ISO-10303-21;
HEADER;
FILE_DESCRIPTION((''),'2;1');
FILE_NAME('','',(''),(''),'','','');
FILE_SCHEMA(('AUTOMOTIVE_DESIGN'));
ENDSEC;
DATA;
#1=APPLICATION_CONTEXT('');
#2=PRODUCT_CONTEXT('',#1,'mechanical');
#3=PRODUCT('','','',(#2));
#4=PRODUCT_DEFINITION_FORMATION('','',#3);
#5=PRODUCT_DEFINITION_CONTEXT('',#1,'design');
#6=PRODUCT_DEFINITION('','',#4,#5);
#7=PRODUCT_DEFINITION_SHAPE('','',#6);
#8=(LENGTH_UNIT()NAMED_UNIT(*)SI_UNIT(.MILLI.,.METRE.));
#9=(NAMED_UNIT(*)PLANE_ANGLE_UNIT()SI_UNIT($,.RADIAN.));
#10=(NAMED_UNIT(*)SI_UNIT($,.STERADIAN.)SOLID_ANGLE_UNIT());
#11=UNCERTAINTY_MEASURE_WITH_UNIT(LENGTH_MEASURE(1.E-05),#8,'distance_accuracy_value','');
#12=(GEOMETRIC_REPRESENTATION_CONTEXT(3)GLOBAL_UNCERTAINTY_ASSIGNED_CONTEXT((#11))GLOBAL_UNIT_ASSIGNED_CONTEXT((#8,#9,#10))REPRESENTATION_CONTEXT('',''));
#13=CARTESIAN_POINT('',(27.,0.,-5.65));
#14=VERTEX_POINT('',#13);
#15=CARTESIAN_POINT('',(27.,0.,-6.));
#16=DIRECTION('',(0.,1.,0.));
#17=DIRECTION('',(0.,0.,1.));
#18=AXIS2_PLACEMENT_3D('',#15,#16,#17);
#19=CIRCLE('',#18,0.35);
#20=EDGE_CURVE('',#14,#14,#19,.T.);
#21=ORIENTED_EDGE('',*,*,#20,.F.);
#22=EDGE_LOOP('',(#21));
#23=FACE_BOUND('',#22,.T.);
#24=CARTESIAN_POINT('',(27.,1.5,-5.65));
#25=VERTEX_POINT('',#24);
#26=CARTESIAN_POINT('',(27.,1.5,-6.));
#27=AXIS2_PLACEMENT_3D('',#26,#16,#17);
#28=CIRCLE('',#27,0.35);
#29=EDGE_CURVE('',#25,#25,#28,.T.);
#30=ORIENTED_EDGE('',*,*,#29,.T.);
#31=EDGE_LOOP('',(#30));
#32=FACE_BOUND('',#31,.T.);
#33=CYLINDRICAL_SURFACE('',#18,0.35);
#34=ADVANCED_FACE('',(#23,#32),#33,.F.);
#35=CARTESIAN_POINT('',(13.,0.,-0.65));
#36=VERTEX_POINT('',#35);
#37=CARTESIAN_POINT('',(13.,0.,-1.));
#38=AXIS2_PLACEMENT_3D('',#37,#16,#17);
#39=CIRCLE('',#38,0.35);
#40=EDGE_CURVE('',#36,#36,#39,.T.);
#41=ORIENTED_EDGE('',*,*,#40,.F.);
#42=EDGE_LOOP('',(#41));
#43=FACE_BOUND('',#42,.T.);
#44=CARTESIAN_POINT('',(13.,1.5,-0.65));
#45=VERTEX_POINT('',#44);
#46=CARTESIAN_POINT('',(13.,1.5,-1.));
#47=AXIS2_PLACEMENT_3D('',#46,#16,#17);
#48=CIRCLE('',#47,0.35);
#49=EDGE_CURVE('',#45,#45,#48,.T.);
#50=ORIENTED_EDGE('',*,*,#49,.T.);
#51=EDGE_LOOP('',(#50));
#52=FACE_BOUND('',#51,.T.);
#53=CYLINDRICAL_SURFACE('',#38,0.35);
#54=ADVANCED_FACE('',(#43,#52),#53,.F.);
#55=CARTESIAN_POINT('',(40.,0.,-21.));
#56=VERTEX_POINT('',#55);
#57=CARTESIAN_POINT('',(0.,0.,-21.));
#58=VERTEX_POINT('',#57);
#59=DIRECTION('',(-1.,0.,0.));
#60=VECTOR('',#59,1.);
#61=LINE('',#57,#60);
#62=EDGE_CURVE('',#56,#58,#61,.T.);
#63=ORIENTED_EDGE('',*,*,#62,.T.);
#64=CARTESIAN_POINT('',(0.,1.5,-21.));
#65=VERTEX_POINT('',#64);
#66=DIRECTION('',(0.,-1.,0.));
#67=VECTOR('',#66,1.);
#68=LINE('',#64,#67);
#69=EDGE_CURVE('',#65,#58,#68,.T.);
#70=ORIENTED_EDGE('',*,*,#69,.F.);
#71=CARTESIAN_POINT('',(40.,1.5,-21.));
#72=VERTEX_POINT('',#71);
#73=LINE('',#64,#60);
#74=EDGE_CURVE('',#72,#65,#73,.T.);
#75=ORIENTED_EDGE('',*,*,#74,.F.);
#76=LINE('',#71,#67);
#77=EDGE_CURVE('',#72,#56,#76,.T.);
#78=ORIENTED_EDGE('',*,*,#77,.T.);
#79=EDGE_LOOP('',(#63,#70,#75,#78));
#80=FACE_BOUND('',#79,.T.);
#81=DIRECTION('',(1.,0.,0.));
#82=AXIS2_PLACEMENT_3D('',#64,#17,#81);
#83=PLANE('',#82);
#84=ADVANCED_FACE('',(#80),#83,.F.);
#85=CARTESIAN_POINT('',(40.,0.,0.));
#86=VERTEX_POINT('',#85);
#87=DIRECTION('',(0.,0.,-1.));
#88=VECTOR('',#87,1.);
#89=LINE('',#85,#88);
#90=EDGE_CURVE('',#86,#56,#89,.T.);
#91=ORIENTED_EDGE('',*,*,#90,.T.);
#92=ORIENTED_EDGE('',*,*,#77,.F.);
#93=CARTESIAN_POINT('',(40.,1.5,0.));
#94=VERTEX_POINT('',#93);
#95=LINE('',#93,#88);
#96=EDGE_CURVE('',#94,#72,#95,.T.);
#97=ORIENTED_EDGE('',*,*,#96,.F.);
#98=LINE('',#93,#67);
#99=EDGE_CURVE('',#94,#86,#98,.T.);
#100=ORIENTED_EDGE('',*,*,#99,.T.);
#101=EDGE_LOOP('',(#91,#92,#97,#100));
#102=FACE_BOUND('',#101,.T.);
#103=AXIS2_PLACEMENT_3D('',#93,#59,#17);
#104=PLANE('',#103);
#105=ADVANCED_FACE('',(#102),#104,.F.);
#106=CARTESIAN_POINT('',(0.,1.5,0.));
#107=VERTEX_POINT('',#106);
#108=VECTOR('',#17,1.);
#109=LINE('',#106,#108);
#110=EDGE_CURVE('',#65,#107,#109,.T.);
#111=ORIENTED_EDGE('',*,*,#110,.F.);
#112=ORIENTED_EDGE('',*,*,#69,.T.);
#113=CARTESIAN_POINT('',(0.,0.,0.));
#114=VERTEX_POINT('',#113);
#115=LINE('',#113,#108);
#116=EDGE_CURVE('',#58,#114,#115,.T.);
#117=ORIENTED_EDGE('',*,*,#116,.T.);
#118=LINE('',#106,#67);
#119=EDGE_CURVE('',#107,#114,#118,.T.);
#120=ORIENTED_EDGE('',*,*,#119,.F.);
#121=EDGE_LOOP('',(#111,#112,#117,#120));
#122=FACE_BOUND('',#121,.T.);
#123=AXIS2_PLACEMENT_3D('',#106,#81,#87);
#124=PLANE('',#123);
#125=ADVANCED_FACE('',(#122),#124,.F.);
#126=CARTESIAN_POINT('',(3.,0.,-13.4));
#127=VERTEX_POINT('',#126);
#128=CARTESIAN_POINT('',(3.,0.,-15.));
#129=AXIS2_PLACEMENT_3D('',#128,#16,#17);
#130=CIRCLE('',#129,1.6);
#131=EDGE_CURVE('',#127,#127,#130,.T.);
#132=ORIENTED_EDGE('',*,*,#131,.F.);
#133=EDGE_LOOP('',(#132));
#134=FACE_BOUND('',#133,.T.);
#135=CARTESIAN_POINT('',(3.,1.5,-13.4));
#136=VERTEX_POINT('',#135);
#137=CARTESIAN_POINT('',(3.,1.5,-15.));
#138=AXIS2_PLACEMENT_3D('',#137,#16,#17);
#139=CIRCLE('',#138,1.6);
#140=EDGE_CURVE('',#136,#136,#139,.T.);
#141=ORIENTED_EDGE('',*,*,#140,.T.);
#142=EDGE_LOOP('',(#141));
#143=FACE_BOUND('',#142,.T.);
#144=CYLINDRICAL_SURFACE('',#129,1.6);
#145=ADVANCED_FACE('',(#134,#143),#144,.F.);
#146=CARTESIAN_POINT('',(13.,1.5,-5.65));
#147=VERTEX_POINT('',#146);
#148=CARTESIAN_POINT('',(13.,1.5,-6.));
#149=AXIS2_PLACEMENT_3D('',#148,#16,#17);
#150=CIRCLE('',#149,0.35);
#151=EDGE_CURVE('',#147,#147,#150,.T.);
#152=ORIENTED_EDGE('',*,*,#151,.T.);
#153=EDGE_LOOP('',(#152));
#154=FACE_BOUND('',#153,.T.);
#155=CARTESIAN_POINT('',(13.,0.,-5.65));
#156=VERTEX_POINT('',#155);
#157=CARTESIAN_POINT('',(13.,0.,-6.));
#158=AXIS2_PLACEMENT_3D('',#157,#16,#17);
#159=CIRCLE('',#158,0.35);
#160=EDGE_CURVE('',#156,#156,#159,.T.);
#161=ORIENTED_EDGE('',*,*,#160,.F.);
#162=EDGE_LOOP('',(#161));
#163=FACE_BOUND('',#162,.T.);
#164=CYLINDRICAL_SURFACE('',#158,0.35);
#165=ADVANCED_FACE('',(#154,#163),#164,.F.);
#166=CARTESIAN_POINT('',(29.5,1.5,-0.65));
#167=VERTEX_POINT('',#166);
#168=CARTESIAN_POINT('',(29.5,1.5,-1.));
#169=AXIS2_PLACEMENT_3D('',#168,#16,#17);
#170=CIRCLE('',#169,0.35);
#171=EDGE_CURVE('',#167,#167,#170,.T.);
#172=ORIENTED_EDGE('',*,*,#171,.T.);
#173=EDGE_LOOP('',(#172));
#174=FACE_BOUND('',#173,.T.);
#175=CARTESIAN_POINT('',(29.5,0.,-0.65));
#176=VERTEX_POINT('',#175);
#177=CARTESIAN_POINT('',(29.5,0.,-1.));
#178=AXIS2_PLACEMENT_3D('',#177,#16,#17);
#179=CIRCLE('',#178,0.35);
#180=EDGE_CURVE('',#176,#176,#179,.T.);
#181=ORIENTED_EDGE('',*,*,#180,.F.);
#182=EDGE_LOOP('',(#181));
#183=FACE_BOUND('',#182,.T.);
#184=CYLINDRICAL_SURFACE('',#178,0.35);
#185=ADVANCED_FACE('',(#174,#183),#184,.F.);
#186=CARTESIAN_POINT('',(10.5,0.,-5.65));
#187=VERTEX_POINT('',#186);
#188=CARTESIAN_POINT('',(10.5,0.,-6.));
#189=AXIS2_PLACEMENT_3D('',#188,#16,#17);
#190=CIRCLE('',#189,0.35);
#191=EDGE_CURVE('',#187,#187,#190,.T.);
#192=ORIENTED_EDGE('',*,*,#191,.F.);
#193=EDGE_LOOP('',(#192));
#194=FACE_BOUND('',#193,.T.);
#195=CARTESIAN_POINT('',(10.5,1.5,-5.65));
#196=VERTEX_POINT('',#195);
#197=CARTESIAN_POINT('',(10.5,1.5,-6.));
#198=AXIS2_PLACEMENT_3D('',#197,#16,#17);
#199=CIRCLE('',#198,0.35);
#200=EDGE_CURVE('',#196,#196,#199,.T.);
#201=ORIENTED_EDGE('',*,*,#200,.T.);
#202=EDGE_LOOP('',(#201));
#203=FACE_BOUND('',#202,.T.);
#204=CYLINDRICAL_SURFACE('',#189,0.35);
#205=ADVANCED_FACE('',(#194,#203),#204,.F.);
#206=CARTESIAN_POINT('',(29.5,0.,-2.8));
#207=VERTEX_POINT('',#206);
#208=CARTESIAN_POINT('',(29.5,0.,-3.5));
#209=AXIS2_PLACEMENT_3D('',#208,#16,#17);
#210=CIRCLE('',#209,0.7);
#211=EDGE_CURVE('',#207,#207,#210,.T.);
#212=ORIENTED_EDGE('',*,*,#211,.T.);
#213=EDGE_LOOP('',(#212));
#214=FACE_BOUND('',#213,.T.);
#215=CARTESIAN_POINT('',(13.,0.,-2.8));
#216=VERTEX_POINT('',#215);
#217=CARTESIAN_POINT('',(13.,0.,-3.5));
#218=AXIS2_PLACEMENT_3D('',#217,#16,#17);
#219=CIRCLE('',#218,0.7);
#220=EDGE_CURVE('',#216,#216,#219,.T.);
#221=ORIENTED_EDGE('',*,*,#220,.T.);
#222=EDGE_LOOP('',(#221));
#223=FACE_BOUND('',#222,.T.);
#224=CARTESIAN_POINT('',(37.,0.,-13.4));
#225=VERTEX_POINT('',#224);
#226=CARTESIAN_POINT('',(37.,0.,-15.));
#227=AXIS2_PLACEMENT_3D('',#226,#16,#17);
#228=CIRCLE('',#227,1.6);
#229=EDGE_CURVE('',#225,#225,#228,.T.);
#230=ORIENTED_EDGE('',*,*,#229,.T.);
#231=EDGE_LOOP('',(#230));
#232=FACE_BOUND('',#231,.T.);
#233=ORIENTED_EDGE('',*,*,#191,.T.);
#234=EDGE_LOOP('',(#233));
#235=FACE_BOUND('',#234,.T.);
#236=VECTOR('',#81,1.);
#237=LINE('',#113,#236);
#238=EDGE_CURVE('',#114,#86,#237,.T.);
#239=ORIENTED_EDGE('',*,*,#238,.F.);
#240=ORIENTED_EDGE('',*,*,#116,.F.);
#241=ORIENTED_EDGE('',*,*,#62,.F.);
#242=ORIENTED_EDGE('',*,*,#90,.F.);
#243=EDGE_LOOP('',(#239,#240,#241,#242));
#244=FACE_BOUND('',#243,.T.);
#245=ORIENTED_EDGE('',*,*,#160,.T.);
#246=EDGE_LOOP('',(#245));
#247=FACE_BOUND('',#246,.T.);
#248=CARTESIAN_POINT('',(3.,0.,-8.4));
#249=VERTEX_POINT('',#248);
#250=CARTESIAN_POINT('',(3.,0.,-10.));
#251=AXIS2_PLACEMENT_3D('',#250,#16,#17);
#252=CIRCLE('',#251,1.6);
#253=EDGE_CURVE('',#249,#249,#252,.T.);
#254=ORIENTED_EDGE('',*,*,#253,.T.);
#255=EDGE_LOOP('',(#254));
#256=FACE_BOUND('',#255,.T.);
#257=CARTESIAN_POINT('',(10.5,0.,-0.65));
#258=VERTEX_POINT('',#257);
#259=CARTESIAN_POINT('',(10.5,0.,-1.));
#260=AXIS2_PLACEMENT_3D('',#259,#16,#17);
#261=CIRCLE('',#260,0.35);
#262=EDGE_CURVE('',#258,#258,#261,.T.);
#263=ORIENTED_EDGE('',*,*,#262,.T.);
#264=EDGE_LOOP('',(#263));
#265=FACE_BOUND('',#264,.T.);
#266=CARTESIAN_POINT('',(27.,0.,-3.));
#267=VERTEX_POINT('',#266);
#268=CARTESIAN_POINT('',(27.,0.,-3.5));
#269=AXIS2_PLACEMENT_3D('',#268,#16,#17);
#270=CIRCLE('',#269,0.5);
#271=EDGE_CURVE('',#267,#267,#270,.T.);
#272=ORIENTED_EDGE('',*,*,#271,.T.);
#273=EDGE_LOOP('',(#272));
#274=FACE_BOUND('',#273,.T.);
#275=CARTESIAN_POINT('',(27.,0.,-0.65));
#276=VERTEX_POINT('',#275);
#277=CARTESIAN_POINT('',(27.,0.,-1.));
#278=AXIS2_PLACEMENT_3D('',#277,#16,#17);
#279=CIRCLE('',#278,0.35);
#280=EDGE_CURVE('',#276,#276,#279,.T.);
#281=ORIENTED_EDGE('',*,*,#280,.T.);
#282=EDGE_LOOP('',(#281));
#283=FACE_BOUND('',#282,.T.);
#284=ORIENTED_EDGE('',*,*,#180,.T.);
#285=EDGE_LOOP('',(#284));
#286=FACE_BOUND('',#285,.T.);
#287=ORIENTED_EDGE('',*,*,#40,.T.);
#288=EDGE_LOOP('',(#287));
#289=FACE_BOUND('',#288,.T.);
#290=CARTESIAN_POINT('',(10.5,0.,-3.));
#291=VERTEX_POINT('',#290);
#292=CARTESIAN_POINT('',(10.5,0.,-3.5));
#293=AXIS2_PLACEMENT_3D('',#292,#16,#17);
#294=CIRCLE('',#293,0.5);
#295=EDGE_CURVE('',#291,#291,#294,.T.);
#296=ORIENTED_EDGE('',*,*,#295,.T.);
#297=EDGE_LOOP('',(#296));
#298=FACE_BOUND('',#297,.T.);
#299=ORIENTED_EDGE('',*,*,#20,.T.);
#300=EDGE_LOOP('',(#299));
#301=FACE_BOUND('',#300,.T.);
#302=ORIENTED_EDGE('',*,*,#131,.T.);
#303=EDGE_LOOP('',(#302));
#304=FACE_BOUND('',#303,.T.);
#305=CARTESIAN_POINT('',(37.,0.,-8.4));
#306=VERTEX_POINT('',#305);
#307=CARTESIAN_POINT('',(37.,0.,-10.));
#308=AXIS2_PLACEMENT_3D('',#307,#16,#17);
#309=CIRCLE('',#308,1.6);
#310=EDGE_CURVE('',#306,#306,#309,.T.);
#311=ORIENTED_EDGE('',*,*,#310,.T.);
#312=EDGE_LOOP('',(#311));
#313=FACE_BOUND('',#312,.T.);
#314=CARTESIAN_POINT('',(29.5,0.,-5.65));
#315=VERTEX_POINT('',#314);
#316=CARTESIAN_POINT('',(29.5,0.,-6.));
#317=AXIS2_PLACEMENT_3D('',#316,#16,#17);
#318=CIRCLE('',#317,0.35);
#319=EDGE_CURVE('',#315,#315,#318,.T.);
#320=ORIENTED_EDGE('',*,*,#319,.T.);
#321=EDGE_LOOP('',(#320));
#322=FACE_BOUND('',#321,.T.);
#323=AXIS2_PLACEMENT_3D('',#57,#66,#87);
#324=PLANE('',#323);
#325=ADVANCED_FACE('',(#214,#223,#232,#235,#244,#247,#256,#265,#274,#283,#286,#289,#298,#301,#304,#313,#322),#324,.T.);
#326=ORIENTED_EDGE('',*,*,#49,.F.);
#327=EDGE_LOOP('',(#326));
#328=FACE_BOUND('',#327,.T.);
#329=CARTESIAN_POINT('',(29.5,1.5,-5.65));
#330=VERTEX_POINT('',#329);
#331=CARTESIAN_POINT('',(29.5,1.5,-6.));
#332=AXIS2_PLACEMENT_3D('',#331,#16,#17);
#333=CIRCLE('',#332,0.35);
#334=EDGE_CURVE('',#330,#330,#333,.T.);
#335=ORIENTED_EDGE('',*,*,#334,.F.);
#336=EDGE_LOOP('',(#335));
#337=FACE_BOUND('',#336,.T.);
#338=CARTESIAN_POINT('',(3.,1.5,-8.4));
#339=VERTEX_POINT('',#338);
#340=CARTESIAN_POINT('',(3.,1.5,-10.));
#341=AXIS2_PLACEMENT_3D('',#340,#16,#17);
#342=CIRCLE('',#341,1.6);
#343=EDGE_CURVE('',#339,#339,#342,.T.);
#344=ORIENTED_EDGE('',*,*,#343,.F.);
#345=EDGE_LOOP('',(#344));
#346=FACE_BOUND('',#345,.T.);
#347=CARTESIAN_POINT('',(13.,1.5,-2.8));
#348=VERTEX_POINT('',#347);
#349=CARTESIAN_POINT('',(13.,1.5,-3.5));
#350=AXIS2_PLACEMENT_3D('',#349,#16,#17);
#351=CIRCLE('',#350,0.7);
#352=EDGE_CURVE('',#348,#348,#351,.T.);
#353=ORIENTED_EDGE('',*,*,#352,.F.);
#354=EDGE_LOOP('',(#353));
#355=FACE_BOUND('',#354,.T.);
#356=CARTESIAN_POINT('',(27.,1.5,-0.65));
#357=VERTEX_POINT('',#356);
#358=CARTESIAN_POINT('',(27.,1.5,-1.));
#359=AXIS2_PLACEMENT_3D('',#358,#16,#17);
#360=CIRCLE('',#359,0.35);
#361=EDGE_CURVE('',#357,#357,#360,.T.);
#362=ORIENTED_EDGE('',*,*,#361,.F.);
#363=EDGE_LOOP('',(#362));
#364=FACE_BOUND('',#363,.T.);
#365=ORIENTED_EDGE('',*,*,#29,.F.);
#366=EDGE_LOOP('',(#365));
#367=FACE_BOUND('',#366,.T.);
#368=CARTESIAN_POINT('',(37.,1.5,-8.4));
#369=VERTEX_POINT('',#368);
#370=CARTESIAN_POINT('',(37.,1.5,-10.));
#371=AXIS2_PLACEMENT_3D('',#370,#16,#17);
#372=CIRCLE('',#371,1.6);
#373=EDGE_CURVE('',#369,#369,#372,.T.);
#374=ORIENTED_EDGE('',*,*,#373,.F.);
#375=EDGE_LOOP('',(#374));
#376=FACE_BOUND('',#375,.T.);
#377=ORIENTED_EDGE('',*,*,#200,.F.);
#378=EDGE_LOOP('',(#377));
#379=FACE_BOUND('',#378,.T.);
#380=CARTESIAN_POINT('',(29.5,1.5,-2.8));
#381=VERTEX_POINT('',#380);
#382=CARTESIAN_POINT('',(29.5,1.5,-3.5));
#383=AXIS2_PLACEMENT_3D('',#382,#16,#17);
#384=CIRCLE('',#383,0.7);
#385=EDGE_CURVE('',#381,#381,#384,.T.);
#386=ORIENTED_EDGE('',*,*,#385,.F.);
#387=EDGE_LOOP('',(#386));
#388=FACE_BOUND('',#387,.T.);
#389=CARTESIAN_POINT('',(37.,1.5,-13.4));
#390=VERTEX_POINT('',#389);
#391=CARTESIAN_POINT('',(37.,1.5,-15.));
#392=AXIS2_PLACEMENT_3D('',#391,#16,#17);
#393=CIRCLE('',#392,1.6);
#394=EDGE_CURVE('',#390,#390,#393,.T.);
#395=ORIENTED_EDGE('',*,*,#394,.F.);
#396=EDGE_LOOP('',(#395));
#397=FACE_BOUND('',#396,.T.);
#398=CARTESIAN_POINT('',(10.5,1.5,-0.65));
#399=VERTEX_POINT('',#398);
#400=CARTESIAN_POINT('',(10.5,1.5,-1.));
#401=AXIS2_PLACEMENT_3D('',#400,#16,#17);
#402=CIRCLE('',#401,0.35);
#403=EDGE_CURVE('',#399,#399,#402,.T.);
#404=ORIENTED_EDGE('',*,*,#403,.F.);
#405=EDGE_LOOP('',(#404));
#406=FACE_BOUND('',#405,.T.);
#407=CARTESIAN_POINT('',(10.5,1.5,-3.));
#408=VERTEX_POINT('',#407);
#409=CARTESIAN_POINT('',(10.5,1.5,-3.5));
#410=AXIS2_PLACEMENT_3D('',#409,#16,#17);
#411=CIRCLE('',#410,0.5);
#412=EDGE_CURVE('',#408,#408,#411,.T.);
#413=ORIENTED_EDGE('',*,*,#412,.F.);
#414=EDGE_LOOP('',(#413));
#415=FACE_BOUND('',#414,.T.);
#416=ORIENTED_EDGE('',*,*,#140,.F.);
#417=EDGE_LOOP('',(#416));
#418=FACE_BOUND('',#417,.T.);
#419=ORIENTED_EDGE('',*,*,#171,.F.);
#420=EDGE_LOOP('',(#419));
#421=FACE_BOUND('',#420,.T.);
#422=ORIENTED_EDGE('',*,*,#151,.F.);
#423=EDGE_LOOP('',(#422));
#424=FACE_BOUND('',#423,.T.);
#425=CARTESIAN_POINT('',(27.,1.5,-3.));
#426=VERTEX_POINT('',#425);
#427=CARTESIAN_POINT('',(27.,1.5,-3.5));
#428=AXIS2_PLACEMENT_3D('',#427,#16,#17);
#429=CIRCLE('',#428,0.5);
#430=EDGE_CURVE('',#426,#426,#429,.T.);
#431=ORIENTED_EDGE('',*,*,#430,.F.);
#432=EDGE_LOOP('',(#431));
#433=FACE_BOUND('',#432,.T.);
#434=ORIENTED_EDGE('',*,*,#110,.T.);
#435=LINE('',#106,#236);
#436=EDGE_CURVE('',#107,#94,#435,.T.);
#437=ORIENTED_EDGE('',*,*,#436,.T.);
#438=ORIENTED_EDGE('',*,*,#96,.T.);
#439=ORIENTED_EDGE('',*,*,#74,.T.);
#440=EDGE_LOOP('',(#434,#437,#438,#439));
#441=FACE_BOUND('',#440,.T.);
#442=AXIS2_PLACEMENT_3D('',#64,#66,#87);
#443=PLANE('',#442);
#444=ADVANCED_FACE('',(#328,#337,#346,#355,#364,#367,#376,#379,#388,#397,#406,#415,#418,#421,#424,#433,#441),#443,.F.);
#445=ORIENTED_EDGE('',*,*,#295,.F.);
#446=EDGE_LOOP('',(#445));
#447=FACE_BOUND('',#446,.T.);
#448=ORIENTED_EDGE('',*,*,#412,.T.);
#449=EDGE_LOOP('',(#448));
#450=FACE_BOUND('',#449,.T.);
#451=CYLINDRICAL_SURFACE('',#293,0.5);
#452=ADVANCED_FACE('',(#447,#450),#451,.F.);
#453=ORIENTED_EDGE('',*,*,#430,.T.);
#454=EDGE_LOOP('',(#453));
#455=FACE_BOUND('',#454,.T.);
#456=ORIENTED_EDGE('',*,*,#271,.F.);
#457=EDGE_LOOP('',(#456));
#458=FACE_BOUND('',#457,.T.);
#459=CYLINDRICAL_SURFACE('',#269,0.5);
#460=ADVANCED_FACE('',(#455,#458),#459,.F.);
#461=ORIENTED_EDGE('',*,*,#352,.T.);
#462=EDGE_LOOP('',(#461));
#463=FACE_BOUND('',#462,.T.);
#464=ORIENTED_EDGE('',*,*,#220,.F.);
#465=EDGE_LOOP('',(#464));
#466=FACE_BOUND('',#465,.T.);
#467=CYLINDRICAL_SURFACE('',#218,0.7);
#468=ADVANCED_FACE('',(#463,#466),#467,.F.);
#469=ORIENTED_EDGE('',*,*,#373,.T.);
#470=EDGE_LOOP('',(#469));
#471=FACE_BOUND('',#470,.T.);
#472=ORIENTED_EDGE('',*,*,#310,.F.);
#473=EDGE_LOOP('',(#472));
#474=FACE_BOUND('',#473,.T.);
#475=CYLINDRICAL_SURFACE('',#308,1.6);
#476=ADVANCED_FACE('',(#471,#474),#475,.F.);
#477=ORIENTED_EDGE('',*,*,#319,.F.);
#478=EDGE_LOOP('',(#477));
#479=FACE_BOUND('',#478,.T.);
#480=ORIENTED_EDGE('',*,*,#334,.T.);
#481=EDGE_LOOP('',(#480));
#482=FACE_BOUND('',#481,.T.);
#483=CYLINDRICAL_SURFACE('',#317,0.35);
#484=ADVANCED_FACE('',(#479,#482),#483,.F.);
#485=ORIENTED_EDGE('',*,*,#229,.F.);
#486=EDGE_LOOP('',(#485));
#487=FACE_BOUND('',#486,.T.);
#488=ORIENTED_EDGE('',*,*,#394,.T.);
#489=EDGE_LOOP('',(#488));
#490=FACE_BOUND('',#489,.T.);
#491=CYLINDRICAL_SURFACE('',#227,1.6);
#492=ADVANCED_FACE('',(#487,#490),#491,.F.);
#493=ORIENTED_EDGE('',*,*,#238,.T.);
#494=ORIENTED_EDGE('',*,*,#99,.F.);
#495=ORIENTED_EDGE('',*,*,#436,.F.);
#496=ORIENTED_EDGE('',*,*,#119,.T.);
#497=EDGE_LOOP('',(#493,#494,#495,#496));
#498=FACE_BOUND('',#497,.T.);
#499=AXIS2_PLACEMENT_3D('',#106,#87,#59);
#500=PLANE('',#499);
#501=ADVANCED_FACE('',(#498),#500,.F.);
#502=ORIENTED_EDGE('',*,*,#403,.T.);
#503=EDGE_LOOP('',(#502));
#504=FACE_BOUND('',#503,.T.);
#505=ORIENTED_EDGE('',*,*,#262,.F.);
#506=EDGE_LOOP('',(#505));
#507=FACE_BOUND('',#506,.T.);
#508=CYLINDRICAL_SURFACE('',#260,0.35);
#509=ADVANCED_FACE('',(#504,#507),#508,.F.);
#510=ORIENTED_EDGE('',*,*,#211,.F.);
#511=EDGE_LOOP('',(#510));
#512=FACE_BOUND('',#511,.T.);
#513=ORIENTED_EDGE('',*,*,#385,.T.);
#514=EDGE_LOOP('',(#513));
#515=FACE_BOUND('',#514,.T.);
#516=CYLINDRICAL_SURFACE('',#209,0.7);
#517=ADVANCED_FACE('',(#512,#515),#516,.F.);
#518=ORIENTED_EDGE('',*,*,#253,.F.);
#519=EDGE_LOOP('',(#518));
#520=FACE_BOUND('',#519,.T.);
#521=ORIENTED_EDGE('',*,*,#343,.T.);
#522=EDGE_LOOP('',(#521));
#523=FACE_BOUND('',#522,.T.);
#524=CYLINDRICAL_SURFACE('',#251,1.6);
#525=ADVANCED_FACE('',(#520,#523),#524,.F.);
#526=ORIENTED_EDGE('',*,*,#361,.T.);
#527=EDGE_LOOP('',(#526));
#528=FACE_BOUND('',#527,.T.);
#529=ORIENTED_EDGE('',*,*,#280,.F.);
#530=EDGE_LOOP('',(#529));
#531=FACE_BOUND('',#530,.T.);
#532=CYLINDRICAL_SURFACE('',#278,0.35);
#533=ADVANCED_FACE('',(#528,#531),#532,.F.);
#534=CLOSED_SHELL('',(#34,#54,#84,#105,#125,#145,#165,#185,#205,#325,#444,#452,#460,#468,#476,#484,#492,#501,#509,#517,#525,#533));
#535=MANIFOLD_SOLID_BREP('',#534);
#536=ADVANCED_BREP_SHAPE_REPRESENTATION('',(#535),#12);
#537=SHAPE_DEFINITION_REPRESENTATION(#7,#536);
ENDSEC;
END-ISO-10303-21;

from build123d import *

# Parameters (mm, degrees)
SKETCH_1_W          = 40
SKETCH_1_H          = 21
EXTRUDE_1_DEPTH     = 1.5
SKETCH_2_R          = 0.7
SKETCH_2_R_2        = 0.5
SKETCH_2_R_3        = 0.35
SKETCH_2_R_4        = 1.6
CUT_EXTRUDE_1_DEPTH = 2.5


with BuildPart() as part:
    # Эскиз1 → Бобышка-Вытянуть1 (new body)
    with BuildSketch(Plane(origin=(0, 0, 0), x_dir=(1, 0, 0), z_dir=(0, 1, 0))):
        with Locations((20, 10.5)):
            Rectangle(SKETCH_1_W, SKETCH_1_H)
    extrude(amount=EXTRUDE_1_DEPTH)

    # Эскиз2 → Вырез-Вытянуть1 (cut, through all)
    with BuildSketch(Plane(origin=(0, 1.5, 0), x_dir=(1, 0, 0), z_dir=(0, 1, 0))):
        with Locations((29.5, 3.5)):
            Circle(SKETCH_2_R)
        with Locations((27, 3.5)):
            Circle(SKETCH_2_R_2)
        with Locations((13, 3.5)):
            Circle(SKETCH_2_R)
        with Locations((10.5, 3.5)):
            Circle(SKETCH_2_R_2)
        with Locations((27, 6)):
            Circle(SKETCH_2_R_3)
        with Locations((29.5, 6)):
            Circle(SKETCH_2_R_3)
        with Locations((29.5, 1)):
            Circle(SKETCH_2_R_3)
        with Locations((27, 1)):
            Circle(SKETCH_2_R_3)
        with Locations((13, 6)):
            Circle(SKETCH_2_R_3)
        with Locations((10.5, 6)):
            Circle(SKETCH_2_R_3)
        with Locations((10.5, 1)):
            Circle(SKETCH_2_R_3)
        with Locations((13, 1)):
            Circle(SKETCH_2_R_3)
        with Locations((3, 10)):
            Circle(SKETCH_2_R_4)
        with Locations((37, 10)):
            Circle(SKETCH_2_R_4)
        with Locations((3, 15)):
            Circle(SKETCH_2_R_4)
        with Locations((37, 15)):
            Circle(SKETCH_2_R_4)
    extrude(amount=-CUT_EXTRUDE_1_DEPTH, mode=Mode.SUBTRACT)


solid = part.part
